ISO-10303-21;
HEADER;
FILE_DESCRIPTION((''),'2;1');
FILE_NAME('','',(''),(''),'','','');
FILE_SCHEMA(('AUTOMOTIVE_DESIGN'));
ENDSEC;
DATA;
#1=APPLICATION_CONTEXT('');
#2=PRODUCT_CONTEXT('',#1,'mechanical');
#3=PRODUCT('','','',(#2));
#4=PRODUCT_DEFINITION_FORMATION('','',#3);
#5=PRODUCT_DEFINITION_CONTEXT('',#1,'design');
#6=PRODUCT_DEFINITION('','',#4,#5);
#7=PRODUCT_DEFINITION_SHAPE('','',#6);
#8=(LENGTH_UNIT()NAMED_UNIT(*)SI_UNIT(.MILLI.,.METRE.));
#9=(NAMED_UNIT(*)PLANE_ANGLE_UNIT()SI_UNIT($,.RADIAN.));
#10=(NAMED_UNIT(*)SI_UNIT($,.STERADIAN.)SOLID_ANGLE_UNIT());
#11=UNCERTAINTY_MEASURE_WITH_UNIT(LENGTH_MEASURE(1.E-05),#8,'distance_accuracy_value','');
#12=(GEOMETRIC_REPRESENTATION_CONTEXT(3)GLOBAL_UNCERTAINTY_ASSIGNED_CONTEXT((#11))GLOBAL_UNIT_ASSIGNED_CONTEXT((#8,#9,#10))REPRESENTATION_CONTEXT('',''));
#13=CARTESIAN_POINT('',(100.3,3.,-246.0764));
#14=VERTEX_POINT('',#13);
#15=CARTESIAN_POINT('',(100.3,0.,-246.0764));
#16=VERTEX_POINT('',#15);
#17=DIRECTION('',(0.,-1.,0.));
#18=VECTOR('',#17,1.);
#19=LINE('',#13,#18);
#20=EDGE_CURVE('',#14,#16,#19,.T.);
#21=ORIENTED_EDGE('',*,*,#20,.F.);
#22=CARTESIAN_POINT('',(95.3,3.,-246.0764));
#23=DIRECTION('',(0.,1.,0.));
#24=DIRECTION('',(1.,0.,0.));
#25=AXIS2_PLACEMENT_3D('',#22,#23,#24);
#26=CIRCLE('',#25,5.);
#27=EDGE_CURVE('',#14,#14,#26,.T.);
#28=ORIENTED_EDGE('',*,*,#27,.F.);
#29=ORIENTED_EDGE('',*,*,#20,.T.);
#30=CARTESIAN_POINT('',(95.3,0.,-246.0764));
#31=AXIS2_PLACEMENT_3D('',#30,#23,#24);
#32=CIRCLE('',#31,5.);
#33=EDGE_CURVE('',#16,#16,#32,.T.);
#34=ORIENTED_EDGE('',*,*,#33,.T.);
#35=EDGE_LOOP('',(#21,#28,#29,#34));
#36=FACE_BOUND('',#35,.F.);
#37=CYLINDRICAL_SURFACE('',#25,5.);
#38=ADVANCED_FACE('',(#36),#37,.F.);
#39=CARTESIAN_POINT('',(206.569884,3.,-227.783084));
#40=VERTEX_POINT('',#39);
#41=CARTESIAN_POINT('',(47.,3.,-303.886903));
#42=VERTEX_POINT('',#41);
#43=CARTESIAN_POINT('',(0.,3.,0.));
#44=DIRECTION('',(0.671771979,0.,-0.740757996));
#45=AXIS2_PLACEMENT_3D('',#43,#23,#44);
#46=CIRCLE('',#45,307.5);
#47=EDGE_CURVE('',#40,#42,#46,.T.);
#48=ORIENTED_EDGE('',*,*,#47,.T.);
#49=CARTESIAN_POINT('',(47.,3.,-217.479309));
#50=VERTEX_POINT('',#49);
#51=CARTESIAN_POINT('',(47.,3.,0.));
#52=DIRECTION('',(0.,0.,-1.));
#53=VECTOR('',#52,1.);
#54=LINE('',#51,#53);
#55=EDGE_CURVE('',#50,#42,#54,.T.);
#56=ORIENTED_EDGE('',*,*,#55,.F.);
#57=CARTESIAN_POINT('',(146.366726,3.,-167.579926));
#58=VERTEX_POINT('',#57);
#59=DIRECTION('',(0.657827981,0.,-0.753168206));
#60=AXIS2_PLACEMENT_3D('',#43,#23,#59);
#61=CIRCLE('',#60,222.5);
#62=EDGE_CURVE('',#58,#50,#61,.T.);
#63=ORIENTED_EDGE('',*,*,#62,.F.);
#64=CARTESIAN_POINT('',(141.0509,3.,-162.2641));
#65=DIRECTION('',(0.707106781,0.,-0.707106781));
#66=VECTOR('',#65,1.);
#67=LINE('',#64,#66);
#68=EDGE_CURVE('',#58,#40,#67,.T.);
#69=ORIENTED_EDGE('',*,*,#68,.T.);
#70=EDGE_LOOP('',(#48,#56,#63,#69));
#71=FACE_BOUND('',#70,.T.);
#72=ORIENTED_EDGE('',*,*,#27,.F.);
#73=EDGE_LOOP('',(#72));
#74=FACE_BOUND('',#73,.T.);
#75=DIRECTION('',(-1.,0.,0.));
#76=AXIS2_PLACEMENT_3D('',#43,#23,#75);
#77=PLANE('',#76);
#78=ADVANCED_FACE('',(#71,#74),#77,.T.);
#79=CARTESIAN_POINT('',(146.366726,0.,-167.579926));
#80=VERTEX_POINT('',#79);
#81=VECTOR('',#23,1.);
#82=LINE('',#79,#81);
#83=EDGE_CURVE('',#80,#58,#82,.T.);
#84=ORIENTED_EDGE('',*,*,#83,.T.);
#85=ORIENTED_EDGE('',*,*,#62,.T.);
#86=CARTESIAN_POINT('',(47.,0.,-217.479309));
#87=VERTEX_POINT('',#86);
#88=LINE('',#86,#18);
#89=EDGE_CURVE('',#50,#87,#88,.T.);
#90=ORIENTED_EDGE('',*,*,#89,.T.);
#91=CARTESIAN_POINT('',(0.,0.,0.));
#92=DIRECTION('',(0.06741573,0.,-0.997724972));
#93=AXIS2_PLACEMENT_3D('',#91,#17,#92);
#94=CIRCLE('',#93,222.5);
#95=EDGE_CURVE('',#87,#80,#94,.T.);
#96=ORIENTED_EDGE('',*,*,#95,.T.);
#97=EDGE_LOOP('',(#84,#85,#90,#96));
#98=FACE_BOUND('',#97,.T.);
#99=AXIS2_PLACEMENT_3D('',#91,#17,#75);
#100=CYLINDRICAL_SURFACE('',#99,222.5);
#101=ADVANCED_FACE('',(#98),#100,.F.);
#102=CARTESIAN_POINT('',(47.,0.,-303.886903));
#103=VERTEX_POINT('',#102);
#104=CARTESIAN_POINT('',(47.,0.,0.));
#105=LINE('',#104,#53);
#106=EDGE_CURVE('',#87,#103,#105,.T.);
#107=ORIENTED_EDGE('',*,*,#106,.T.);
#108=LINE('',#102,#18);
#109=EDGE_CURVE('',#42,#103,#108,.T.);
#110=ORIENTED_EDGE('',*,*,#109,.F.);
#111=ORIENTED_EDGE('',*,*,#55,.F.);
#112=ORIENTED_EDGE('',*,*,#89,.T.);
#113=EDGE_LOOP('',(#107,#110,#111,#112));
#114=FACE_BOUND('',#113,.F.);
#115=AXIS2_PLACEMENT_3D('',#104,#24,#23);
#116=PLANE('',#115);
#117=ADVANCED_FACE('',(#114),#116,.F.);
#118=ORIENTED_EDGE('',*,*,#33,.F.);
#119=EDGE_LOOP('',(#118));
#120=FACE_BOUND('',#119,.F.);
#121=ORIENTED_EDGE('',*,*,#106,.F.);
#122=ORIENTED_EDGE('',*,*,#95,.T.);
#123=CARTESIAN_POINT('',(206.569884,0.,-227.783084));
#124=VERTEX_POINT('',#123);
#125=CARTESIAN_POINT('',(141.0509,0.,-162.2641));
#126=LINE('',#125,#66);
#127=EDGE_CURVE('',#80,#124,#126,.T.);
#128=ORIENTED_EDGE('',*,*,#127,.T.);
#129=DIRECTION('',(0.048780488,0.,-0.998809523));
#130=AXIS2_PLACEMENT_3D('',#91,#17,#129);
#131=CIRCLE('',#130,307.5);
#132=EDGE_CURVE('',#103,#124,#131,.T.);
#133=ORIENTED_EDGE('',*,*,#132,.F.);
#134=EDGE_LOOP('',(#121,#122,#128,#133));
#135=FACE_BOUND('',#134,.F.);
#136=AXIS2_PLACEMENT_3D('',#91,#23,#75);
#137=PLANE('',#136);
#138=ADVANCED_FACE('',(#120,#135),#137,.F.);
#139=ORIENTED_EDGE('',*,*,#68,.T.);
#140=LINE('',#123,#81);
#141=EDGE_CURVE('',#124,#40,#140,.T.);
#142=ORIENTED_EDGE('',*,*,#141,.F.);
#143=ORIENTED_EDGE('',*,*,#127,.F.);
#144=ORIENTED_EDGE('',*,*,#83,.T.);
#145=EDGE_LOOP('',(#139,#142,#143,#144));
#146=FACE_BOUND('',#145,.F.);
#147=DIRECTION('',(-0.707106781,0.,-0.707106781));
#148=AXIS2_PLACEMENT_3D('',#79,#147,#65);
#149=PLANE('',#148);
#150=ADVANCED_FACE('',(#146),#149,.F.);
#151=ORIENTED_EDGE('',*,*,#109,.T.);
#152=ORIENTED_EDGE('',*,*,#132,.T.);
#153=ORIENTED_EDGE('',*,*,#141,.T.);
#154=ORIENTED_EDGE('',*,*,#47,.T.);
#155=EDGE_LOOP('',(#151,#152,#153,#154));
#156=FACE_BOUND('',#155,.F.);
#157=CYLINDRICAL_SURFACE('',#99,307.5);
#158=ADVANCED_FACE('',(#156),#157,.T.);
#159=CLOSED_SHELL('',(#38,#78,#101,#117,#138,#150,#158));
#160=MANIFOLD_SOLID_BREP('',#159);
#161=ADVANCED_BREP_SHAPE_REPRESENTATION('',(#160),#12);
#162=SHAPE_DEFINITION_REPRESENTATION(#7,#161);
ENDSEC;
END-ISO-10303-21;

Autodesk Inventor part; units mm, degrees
ref_plane "YZ Plane" through (0, 0, 0) normal (1, 0, 0) x (0, 1, 0)
ref_plane "XZ Plane" through (0, 0, 0) normal (0, 1, 0) x (-1, 0, 0)
ref_plane "XY Plane" through (0, 0, 0) normal (0, 0, 1) x (1, 0, 0)
sketch "Sketch1" plane through (0, 0, 0) normal (0, 1, 0) x (-1, 0, 0)
  circle A0 centre (0, 0) radius 215
  circle A1 centre (0, 0) radius 315
  line L0 (0, 0) -> (0, -315)
  line L1 (0, 0) -> (-222.7386, -222.7386)
  line L2 (-141.0509, -162.2641) -> (-211.8794, -233.0926)
  line L3 (-15, -214.4761) -> (-15, -314.6427)
  circle A2 centre (0, 0) radius 222.5
  circle A3 centre (0, 0) radius 307.5
  line L4 (-47, -311.4739) -> (-47, -209.7999)
  point P0 (-152.028, -152.028)
  point P1 (0, -215)
  point P2 (0, -312.5)
  point P3 (0, -217.5)
  point P4 (-153.7957, -153.7957)
  point P5 (-220.9709, -220.9709)
  point P6 (-210.1096, -231.3228)
  point P7 (-15, -312.1398)
  point P8 (-15, -216.9821)
  point P9 (-142.8229, -164.0361)
  point P10 (-206.5699, -227.7831)
  point P11 (-15, -307.1339)
  point P12 (-15, -221.9938)
  point P13 (-146.3667, -167.5799)
  point P14 (-47, -303.8869)
  point P15 (-47, -217.4793)
  dimension "d2" = 430
  dimension "d3" = 630
  dimension "d4" = 45
  dimension "d5" = 15
  dimension "d6" = 15
  dimension "d11" = 7.5
  dimension "d12" = 7.5
  dimension "d16" = 32
extrude "Extrusion1" add sketch "Sketch1" along normal blind 3 contours A2 L4 A3 L2 | A2 L3 A3 L4
sketch "Sketch4" plane through (0, 0, 0) normal (0, 0, 1) x (1, 0, 0)
  line L0 (15, 0) -> (146.3667, 0) projected
  line L1 (146.3667, 0) -> (146.3667, 3) projected
  line L2 (15, 3) -> (146.3667, 3) projected
  line L3 (15, 0) -> (15, 3) projected
  line L4 (15, 0) -> (47, 0)
  line L5 (47, 0) -> (47, 3)
  line L6 (47, 3) -> (15, 3)
  line L7 (15, 3) -> (15, 0)
  point P0 (0, 0)
  dimension "d17" = 32
extrude "Extrusion3" cut sketch "Sketch4" against normal up to surface contours L3 L2 L5 L0
sketch "Sketch5" plane through (0, 3, 0) normal (0, 1, 0) x (1, 0, 0)
  line L0 (47, 303.8869) -> (47, 217.4793) projected
  arc A0 (146.3667, 167.5799) -> (47, 217.4793) centre (0, 0) ccw projected
  line L1 (146.3667, 167.5799) -> (206.5699, 227.7831) projected
  arc A1 (206.5699, 227.7831) -> (47, 303.8869) centre (0, 0) ccw projected
  line L2 (146.3667, 167.5799) -> (206.5699, 227.7831) projected
  line L3 (47, 217.4793) -> (47, 303.8869) projected
  circle A2 centre (50, 219.8092) radius 1.75
  circle A3 centre (143.9011, 173.5996) radius 1.75
  circle A4 centre (199.96, 229.6585) radius 1.75
  circle A5 centre (50, 300.4077) radius 1.75
  arc A6 (146.3667, 167.5799) -> (47, 217.4793) centre (0, 0) ccw projected
  line L4 (99.8507, 198.8368) -> (132.3721, 277.5498) construction
  arc A7 (206.5699, 227.7831) -> (47, 303.8869) centre (0, 0) ccw projected
  line L5 (116.1114, 238.1933) -> (47, 266.7477) construction
  line L6 (116.1114, 238.1933) -> (187.4893, 208.7025) construction
  line L7 (50, 300.4077) -> (50, 298.6577) construction
  line L8 (50, 300.4077) -> (47, 300.4077) construction
  line L9 (143.9011, 173.5996) -> (148.1437, 169.3569) construction
  line L10 (50, 219.8092) -> (47, 219.8092) construction
  line L11 (199.96, 229.6585) -> (204.2027, 225.4159) construction
  line L12 (50, 216.8092) -> (50, 303.4077) construction
  line L13 (141.7806, 171.4774) -> (202.1185, 231.742) construction
  dimension "d36" = 3.5
  dimension "d37" = 3
  dimension "d40" = 3.5
  dimension "d45" = 6
  dimension "d47" = 3.5
  dimension "d48" = 3.5
  dimension "d49" = 6
  dimension "d51" = 3
  dimension "d53" = 3
  dimension "d54" = 3
  dimension "d55" = 3
  dimension "d56" = 3
extrude "Extrusion4" [suppressed]
sketch "Sketch6" plane through (0, 3, 0) normal (0, 1, 0) x (1, 0, 0)
  line L0 (47, 303.8869) -> (47, 217.4793) projected
  arc A0 (146.3667, 167.5799) -> (47, 217.4793) centre (0, 0) ccw projected
  line L1 (146.3667, 167.5799) -> (206.5699, 227.7831) projected
  arc A1 (206.5699, 227.7831) -> (47, 303.8869) centre (0, 0) ccw projected
  line L2 (0, 0) -> (132.3721, 277.5498)
  arc A2 (206.5699, 227.7831) -> (47, 303.8869) centre (0, 0) ccw projected
  arc A3 (146.3667, 167.5799) -> (47, 217.4793) centre (0, 0) ccw projected
  line L3 (95.7814, 200.8287) -> (132.3721, 277.5498)
  line L4 (114.0768, 239.1892) -> (95.7814, 200.8287)
  line L5 (146.3667, 167.5799) -> (206.5699, 227.7831) projected
  line L6 (176.4683, 197.6815) -> (47, 260.6831)
  line L7 (47, 217.4793) -> (47, 303.8869) projected
  circle A4 centre (95.3, 246.0764) radius 5
  point P0 (104.9291, 220.009)
  dimension "d61" = 10
  dimension "d62" = 20
  dimension "d63" = 8
extrude "Extrusion5" cut sketch "Sketch6" against normal blind 10 contours A4
properties part number "Battery Module Third Iteration" material "PLA Plastic"
